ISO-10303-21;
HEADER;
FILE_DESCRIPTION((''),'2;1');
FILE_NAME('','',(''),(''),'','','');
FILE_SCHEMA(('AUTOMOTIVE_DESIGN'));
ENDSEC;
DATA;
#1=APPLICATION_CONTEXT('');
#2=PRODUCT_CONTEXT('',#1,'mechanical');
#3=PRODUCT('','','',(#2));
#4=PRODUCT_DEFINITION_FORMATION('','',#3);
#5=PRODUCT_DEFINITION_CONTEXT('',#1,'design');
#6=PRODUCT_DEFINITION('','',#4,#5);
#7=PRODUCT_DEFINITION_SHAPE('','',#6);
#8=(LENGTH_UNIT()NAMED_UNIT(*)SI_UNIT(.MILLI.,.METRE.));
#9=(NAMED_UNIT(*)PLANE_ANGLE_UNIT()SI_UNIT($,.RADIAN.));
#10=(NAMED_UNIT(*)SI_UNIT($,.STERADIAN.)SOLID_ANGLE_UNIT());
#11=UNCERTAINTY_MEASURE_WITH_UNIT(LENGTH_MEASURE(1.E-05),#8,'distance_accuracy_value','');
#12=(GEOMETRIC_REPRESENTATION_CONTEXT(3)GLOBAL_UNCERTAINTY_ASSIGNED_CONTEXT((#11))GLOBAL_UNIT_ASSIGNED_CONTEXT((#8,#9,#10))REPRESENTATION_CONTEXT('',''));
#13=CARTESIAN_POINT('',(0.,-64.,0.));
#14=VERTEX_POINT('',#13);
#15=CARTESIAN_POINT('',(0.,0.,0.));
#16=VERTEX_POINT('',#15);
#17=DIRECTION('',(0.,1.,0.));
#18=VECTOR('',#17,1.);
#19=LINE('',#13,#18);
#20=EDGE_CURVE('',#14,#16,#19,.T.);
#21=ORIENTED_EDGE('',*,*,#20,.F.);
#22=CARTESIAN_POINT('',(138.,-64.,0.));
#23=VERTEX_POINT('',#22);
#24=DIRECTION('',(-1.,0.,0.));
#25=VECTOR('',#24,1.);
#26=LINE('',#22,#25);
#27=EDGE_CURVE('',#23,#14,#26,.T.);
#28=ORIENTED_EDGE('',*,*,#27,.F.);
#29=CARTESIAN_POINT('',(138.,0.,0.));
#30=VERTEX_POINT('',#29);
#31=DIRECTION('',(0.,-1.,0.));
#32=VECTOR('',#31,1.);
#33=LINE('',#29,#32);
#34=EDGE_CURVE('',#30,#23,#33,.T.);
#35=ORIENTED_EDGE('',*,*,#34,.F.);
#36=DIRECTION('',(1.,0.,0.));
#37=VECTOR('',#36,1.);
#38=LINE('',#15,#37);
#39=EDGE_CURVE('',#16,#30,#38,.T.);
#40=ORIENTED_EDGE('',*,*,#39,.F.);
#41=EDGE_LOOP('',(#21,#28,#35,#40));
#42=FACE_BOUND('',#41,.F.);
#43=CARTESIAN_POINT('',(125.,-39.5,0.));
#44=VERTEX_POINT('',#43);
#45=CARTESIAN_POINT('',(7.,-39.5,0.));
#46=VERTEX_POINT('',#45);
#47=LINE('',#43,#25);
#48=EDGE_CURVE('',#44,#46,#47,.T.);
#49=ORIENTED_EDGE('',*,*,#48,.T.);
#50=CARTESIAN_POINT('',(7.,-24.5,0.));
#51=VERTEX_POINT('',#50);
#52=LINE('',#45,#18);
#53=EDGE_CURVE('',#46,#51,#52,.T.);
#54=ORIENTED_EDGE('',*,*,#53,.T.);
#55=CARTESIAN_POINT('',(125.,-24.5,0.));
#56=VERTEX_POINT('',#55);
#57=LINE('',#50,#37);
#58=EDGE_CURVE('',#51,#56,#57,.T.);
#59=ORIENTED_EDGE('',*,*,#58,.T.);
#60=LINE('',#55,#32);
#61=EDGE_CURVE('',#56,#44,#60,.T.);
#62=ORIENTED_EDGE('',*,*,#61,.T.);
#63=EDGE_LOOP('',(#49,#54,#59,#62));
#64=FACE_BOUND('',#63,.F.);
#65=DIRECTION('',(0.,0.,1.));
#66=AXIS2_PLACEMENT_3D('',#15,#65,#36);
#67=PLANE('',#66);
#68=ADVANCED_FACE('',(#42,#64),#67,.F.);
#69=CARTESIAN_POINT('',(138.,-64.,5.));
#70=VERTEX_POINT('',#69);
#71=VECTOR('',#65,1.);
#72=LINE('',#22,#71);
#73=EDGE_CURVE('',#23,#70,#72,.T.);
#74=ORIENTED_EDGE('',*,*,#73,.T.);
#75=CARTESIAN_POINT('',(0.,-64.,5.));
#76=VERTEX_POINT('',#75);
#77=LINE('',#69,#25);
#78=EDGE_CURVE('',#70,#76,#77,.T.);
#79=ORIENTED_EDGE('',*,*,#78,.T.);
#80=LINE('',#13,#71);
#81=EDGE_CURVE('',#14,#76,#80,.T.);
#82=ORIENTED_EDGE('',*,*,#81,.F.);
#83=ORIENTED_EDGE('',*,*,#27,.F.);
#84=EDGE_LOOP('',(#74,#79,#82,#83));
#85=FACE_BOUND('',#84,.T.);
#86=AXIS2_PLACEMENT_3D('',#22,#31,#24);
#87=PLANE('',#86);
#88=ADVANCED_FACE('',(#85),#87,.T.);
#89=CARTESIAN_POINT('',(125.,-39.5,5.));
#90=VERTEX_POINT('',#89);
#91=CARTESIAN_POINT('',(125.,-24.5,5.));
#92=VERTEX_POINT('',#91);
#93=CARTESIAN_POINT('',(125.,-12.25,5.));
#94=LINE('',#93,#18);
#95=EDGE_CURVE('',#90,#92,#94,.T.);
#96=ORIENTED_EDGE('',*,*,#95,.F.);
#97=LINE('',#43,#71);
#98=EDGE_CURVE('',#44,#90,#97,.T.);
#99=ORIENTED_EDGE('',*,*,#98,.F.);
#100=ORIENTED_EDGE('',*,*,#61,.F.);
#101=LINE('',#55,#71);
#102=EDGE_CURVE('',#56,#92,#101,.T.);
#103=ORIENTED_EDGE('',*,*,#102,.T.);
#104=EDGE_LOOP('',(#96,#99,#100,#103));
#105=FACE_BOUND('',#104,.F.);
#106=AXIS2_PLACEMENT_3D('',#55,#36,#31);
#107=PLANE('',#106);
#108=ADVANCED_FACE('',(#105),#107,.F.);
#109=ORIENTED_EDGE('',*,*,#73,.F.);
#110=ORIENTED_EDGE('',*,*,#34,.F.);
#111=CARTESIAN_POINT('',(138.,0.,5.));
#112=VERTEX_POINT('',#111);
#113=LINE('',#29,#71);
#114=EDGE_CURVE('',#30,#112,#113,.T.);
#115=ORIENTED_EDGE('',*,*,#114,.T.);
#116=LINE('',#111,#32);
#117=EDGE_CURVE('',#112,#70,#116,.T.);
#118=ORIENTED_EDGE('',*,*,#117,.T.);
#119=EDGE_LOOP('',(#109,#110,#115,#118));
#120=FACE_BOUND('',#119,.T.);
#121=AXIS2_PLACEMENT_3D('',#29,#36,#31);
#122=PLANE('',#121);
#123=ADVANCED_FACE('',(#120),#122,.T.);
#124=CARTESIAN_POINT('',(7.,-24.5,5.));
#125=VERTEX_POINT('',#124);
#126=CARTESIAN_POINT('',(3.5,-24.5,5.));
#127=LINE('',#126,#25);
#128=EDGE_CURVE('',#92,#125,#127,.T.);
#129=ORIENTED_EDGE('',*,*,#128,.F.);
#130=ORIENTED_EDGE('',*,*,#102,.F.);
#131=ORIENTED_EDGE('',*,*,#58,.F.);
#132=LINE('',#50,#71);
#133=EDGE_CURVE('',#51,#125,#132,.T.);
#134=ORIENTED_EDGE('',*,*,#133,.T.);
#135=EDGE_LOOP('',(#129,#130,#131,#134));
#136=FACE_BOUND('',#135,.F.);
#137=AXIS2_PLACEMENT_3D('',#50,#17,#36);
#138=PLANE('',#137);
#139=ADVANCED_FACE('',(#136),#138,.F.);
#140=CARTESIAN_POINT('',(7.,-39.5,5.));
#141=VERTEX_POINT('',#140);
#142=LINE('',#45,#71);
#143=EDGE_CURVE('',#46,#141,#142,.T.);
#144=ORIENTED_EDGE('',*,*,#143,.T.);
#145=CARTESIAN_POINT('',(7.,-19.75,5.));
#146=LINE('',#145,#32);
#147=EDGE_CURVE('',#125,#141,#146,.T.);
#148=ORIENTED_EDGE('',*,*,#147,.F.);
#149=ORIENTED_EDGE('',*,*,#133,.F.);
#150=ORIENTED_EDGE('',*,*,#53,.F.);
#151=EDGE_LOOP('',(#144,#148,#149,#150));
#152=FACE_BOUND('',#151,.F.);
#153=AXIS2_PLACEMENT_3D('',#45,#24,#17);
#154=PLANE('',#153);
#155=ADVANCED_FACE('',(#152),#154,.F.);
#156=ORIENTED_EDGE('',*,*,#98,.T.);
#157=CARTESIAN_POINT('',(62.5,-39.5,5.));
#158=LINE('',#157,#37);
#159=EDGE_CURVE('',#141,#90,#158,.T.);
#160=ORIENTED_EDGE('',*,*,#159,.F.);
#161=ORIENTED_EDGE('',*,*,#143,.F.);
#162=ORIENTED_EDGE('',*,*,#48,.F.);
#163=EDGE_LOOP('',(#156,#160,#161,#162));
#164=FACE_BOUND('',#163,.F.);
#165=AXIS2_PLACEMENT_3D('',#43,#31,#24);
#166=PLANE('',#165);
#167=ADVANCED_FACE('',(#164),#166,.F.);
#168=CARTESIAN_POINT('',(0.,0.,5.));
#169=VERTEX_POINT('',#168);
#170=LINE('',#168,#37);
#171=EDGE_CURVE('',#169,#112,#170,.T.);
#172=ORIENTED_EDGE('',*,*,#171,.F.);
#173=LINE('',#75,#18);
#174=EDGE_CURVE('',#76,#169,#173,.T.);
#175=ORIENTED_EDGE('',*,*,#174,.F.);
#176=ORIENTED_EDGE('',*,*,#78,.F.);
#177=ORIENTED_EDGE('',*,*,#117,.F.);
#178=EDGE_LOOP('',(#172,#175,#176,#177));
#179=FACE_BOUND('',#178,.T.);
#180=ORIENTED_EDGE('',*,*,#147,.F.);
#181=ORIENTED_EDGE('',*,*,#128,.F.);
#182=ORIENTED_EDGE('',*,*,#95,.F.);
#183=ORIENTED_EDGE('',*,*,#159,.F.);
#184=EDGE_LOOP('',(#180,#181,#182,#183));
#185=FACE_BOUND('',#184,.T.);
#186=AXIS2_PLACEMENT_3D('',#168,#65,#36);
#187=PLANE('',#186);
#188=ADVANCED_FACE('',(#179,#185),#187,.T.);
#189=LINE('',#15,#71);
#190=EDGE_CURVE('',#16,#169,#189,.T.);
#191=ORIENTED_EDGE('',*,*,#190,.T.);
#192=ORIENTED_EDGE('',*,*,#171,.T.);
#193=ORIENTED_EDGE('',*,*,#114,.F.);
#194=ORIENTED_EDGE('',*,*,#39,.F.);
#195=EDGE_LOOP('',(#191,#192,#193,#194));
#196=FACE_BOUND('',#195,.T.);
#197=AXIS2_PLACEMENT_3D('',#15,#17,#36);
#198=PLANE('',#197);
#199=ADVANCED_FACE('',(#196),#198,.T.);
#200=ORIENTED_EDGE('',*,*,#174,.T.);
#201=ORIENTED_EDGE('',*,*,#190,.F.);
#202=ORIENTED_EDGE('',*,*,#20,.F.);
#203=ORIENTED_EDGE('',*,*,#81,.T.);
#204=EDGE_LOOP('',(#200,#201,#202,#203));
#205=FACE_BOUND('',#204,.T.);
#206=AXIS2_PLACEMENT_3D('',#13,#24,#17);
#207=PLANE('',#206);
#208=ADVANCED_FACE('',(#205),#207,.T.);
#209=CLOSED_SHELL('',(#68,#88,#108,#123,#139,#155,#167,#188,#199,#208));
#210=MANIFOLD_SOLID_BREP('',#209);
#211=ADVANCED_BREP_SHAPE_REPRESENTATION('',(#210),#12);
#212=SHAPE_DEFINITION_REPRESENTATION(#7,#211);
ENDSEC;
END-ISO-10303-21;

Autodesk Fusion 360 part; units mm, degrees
sketch "Sketch1" plane through (0, 0, 0) normal (0, 0, 1) x (1, 0, 0)
  line L0 (0, 0) -> (138, 0)
  line L1 (138, 0) -> (138, -64)
  line L2 (138, -64) -> (0, -64)
  line L3 (0, -64) -> (0, 0)
  line L4 (7, -24.5) -> (125, -24.5)
  line L5 (125, -24.5) -> (125, -39.5)
  line L6 (125, -39.5) -> (7, -39.5)
  line L7 (7, -39.5) -> (7, -24.5)
  dimension "d7" = 138
  dimension "d8" = 64
  dimension "d15" = 118
  dimension "d16" = 15
  dimension "d17" = 7
  dimension "d18" = 24.5
extrude "Extrude1" add sketch "Sketch1" along normal blind 5 contours L0 L1 L2 L3 | L4 L5 L6 L7
extrude "Extrude2" cut sketch "Sketch1" along normal blind 100 contours L4 L5 L6 L7
equation "lm2596_length = 44 mm"
equation "lm2596_width = 22 mm"
equation "width = lm2596_length + 2 * screw_radius * 2"
equation "length = 4 * lm2596_width + 5 * screw_radius * 2"
equation "height = 5 mm"
equation "d7 = length"
equation "d8 = width"
equation "d9 = height"
equation "middle_gap_width = 15 mm"
equation "middle_gap_length = length - 2 * screw_radius * 2"
equation "middle_gap_small_distance = 7 mm"
equation "middle_gap_big_distance = ( width - middle_gap_width ) / 2"
equation "d15 = middle_gap_length"
equation "d16 = middle_gap_width"
equation "d17 = middle_gap_small_distance"
equation "d18 = middle_gap_big_distance"
equation "extra = 100 mm"
equation "d20 = extra"
equation "screw_radius = 5 mm"
